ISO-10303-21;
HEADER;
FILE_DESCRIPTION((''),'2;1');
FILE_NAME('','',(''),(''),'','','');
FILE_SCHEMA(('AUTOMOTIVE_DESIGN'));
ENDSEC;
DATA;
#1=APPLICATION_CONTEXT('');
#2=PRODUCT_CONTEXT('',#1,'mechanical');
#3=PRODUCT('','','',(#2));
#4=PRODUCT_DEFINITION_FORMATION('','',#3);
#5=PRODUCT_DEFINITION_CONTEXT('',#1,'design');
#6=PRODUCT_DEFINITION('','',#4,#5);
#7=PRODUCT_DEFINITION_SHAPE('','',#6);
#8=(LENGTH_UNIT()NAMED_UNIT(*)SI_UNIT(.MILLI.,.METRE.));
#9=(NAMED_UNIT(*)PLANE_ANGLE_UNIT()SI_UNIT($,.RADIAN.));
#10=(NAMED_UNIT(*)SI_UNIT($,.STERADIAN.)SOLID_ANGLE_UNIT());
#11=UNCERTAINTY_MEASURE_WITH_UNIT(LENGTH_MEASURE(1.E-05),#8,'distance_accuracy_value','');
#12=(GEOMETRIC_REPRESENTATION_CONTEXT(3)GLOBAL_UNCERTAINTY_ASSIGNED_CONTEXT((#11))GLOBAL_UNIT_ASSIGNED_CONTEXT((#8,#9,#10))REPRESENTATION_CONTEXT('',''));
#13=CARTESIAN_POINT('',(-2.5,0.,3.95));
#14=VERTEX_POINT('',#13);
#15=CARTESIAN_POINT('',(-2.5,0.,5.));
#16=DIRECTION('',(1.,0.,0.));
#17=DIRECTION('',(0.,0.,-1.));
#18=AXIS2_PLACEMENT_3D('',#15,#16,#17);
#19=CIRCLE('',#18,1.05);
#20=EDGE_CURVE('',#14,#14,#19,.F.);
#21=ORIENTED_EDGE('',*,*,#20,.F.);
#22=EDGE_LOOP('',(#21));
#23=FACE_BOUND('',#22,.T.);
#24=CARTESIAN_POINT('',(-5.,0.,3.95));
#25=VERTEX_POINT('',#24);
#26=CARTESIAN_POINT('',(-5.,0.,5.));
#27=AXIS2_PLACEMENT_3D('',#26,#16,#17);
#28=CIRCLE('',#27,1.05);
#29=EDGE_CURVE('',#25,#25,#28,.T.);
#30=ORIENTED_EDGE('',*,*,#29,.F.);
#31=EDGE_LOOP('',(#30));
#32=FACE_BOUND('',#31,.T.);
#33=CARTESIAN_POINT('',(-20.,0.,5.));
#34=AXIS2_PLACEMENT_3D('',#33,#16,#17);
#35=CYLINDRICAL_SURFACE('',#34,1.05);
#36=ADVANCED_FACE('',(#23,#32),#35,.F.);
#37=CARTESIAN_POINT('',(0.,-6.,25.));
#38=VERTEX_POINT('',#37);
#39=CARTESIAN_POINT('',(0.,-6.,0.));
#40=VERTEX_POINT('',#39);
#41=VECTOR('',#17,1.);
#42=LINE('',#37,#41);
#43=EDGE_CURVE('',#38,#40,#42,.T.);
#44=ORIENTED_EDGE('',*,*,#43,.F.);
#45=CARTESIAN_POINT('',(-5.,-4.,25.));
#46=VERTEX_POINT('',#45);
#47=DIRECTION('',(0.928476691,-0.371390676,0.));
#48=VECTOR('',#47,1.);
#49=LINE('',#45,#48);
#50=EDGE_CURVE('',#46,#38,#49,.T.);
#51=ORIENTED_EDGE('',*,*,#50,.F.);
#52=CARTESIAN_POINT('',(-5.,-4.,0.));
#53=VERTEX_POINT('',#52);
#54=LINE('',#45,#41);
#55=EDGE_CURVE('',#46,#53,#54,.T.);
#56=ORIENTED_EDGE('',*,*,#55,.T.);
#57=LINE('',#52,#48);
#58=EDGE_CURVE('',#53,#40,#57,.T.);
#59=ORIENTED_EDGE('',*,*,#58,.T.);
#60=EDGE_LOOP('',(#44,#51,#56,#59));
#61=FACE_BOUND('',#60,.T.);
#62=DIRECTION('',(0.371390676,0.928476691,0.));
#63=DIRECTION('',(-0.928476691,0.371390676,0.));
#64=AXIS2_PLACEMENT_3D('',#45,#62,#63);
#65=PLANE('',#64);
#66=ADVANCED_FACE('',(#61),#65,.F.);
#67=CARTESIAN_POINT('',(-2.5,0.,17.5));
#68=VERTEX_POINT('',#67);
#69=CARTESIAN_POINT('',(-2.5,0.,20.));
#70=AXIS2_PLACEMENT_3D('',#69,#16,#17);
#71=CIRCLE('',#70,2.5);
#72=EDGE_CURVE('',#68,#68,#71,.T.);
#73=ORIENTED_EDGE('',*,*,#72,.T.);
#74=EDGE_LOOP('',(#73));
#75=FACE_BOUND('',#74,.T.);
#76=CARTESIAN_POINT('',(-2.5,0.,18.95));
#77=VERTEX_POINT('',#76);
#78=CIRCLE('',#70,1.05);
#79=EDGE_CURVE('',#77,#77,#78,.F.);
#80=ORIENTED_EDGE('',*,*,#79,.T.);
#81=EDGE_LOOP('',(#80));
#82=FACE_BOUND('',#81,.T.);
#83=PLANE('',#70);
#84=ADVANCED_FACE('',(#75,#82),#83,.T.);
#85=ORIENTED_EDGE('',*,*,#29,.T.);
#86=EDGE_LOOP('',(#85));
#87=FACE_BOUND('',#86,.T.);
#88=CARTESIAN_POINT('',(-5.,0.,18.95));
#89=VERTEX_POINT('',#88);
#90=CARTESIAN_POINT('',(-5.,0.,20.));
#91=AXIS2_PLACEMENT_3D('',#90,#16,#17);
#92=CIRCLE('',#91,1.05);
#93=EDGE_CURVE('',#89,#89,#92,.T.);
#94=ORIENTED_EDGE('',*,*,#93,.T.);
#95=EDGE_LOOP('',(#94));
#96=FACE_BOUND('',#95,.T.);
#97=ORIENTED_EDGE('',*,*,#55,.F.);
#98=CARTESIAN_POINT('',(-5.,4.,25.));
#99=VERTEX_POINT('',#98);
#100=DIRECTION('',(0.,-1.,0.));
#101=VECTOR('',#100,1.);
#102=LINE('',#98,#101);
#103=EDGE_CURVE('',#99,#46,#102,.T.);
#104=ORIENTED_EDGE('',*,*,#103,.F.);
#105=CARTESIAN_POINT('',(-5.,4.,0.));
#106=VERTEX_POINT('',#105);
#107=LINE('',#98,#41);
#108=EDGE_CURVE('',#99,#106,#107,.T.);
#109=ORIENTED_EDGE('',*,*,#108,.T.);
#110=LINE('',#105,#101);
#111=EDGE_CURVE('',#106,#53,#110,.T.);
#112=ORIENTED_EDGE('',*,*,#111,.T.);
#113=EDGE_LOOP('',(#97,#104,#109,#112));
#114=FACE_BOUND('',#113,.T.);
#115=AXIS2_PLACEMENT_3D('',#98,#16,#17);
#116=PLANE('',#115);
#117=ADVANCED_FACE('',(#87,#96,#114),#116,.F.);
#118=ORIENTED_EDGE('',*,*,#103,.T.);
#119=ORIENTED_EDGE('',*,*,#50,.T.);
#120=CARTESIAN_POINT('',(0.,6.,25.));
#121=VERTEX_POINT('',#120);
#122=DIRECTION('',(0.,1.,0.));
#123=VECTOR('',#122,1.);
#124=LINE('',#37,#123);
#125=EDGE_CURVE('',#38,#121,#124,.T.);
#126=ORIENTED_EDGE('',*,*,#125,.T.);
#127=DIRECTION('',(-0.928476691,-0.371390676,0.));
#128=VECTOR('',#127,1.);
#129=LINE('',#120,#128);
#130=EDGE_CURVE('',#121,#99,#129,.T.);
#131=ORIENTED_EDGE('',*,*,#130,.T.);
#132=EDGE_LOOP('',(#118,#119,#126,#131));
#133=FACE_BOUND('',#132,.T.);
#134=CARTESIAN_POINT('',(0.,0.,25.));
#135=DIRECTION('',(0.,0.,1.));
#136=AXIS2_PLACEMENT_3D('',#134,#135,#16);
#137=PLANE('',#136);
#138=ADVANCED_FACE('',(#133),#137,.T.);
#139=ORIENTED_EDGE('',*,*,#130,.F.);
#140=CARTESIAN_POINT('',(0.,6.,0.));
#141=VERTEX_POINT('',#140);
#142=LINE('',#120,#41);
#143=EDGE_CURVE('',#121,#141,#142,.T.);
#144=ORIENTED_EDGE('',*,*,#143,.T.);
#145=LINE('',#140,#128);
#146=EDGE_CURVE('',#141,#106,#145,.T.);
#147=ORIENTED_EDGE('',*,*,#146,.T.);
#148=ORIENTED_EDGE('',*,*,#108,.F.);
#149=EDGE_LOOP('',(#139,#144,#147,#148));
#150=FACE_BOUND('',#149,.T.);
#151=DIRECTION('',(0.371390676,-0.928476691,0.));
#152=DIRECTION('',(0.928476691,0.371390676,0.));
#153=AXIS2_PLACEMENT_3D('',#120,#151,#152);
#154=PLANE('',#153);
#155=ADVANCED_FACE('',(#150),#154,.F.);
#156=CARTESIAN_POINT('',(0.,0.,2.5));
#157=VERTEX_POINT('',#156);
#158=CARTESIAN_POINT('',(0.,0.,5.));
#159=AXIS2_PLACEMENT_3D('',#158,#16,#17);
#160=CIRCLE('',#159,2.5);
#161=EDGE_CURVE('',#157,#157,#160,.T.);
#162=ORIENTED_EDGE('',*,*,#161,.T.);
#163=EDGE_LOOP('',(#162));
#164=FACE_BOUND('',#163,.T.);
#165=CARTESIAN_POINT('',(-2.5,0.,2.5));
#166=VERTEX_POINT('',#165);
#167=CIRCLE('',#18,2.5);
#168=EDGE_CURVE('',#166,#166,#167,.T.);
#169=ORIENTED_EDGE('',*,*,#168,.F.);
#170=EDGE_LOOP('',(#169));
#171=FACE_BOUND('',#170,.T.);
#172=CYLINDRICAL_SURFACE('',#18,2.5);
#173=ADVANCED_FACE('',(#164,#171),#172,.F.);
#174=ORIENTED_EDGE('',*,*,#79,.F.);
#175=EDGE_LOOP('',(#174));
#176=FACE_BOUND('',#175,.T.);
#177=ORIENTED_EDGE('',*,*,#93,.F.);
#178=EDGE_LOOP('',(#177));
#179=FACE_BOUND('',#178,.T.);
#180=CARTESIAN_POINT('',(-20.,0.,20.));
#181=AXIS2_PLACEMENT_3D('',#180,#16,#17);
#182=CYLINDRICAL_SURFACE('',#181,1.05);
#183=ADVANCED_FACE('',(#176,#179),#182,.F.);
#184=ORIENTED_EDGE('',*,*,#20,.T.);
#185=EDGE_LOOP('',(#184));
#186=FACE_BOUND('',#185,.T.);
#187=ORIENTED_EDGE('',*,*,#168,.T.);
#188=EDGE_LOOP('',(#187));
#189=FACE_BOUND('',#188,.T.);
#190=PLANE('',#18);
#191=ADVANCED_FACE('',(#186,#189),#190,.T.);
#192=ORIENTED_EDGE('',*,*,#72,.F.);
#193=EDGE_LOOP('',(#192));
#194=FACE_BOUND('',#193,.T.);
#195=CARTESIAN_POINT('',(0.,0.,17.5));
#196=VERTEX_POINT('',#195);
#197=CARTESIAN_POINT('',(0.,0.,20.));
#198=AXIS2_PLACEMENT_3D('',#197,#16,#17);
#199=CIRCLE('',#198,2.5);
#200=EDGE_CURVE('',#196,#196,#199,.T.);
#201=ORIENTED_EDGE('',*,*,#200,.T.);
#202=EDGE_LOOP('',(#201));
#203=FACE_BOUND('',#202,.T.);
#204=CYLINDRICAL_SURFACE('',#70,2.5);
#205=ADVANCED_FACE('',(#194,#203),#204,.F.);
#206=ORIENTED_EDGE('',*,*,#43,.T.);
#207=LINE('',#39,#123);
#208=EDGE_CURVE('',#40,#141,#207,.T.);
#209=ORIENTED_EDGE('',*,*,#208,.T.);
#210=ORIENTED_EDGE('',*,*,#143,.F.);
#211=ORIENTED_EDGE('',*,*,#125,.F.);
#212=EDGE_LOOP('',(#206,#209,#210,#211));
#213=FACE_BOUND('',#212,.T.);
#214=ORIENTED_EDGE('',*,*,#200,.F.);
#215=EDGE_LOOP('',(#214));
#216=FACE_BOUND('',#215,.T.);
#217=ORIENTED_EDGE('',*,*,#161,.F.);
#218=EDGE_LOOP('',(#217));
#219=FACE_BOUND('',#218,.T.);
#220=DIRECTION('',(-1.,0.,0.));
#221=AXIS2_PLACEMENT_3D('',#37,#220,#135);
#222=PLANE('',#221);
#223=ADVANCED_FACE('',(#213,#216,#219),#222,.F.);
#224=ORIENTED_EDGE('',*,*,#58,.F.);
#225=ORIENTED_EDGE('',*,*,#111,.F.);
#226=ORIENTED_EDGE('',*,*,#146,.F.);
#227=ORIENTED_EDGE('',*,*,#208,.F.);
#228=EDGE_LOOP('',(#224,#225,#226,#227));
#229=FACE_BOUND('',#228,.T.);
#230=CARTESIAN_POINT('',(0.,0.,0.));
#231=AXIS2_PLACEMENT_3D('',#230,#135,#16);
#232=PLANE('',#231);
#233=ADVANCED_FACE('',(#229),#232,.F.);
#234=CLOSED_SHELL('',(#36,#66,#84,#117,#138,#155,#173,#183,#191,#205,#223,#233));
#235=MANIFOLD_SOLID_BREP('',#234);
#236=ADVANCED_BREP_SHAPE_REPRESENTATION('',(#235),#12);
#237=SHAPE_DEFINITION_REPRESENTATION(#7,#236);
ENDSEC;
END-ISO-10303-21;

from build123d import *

# Parameters (mm, degrees)
RESSALTO_EXTRUS_O1_DEPTH = 25
ESBO_O2_R                = 1.05
CORTE_EXTRUS_O1_DEPTH    = 20
ESBO_O3_R                = 2.5
CORTE_EXTRUS_O3_DEPTH    = 2.5


with BuildPart() as part:
    # Esboço1 → Ressalto-extrusão1 (new body)
    with BuildSketch(Plane(origin=(0, 0, 0), x_dir=(0, 1, 0), z_dir=(0, 0, 1))):
        Polygon((-6, 0), (6, 0), (4, 5), (-4, 5), align=None)
    extrude(amount=RESSALTO_EXTRUS_O1_DEPTH)

    # Esboço2 → Corte-extrusão1 (cut)
    with BuildSketch(Plane.YZ):
        with Locations(Location((0, 20, 0), (0, 0, 270))):
            Circle(ESBO_O2_R)
        with Locations(Location((0, 5, 0), (0, 0, 270))):
            Circle(ESBO_O2_R)
    extrude(amount=-CORTE_EXTRUS_O1_DEPTH, mode=Mode.SUBTRACT)

    # Esboço3 → Corte-extrusão3 (cut)
    with BuildSketch(Plane.YZ):
        with Locations(Location((0, 20, 0), (0, 0, 270))):
            Circle(ESBO_O3_R)
        with Locations(Location((0, 5, 0), (0, 0, 270))):
            Circle(ESBO_O3_R)
    extrude(amount=-CORTE_EXTRUS_O3_DEPTH, mode=Mode.SUBTRACT)


solid = part.part
